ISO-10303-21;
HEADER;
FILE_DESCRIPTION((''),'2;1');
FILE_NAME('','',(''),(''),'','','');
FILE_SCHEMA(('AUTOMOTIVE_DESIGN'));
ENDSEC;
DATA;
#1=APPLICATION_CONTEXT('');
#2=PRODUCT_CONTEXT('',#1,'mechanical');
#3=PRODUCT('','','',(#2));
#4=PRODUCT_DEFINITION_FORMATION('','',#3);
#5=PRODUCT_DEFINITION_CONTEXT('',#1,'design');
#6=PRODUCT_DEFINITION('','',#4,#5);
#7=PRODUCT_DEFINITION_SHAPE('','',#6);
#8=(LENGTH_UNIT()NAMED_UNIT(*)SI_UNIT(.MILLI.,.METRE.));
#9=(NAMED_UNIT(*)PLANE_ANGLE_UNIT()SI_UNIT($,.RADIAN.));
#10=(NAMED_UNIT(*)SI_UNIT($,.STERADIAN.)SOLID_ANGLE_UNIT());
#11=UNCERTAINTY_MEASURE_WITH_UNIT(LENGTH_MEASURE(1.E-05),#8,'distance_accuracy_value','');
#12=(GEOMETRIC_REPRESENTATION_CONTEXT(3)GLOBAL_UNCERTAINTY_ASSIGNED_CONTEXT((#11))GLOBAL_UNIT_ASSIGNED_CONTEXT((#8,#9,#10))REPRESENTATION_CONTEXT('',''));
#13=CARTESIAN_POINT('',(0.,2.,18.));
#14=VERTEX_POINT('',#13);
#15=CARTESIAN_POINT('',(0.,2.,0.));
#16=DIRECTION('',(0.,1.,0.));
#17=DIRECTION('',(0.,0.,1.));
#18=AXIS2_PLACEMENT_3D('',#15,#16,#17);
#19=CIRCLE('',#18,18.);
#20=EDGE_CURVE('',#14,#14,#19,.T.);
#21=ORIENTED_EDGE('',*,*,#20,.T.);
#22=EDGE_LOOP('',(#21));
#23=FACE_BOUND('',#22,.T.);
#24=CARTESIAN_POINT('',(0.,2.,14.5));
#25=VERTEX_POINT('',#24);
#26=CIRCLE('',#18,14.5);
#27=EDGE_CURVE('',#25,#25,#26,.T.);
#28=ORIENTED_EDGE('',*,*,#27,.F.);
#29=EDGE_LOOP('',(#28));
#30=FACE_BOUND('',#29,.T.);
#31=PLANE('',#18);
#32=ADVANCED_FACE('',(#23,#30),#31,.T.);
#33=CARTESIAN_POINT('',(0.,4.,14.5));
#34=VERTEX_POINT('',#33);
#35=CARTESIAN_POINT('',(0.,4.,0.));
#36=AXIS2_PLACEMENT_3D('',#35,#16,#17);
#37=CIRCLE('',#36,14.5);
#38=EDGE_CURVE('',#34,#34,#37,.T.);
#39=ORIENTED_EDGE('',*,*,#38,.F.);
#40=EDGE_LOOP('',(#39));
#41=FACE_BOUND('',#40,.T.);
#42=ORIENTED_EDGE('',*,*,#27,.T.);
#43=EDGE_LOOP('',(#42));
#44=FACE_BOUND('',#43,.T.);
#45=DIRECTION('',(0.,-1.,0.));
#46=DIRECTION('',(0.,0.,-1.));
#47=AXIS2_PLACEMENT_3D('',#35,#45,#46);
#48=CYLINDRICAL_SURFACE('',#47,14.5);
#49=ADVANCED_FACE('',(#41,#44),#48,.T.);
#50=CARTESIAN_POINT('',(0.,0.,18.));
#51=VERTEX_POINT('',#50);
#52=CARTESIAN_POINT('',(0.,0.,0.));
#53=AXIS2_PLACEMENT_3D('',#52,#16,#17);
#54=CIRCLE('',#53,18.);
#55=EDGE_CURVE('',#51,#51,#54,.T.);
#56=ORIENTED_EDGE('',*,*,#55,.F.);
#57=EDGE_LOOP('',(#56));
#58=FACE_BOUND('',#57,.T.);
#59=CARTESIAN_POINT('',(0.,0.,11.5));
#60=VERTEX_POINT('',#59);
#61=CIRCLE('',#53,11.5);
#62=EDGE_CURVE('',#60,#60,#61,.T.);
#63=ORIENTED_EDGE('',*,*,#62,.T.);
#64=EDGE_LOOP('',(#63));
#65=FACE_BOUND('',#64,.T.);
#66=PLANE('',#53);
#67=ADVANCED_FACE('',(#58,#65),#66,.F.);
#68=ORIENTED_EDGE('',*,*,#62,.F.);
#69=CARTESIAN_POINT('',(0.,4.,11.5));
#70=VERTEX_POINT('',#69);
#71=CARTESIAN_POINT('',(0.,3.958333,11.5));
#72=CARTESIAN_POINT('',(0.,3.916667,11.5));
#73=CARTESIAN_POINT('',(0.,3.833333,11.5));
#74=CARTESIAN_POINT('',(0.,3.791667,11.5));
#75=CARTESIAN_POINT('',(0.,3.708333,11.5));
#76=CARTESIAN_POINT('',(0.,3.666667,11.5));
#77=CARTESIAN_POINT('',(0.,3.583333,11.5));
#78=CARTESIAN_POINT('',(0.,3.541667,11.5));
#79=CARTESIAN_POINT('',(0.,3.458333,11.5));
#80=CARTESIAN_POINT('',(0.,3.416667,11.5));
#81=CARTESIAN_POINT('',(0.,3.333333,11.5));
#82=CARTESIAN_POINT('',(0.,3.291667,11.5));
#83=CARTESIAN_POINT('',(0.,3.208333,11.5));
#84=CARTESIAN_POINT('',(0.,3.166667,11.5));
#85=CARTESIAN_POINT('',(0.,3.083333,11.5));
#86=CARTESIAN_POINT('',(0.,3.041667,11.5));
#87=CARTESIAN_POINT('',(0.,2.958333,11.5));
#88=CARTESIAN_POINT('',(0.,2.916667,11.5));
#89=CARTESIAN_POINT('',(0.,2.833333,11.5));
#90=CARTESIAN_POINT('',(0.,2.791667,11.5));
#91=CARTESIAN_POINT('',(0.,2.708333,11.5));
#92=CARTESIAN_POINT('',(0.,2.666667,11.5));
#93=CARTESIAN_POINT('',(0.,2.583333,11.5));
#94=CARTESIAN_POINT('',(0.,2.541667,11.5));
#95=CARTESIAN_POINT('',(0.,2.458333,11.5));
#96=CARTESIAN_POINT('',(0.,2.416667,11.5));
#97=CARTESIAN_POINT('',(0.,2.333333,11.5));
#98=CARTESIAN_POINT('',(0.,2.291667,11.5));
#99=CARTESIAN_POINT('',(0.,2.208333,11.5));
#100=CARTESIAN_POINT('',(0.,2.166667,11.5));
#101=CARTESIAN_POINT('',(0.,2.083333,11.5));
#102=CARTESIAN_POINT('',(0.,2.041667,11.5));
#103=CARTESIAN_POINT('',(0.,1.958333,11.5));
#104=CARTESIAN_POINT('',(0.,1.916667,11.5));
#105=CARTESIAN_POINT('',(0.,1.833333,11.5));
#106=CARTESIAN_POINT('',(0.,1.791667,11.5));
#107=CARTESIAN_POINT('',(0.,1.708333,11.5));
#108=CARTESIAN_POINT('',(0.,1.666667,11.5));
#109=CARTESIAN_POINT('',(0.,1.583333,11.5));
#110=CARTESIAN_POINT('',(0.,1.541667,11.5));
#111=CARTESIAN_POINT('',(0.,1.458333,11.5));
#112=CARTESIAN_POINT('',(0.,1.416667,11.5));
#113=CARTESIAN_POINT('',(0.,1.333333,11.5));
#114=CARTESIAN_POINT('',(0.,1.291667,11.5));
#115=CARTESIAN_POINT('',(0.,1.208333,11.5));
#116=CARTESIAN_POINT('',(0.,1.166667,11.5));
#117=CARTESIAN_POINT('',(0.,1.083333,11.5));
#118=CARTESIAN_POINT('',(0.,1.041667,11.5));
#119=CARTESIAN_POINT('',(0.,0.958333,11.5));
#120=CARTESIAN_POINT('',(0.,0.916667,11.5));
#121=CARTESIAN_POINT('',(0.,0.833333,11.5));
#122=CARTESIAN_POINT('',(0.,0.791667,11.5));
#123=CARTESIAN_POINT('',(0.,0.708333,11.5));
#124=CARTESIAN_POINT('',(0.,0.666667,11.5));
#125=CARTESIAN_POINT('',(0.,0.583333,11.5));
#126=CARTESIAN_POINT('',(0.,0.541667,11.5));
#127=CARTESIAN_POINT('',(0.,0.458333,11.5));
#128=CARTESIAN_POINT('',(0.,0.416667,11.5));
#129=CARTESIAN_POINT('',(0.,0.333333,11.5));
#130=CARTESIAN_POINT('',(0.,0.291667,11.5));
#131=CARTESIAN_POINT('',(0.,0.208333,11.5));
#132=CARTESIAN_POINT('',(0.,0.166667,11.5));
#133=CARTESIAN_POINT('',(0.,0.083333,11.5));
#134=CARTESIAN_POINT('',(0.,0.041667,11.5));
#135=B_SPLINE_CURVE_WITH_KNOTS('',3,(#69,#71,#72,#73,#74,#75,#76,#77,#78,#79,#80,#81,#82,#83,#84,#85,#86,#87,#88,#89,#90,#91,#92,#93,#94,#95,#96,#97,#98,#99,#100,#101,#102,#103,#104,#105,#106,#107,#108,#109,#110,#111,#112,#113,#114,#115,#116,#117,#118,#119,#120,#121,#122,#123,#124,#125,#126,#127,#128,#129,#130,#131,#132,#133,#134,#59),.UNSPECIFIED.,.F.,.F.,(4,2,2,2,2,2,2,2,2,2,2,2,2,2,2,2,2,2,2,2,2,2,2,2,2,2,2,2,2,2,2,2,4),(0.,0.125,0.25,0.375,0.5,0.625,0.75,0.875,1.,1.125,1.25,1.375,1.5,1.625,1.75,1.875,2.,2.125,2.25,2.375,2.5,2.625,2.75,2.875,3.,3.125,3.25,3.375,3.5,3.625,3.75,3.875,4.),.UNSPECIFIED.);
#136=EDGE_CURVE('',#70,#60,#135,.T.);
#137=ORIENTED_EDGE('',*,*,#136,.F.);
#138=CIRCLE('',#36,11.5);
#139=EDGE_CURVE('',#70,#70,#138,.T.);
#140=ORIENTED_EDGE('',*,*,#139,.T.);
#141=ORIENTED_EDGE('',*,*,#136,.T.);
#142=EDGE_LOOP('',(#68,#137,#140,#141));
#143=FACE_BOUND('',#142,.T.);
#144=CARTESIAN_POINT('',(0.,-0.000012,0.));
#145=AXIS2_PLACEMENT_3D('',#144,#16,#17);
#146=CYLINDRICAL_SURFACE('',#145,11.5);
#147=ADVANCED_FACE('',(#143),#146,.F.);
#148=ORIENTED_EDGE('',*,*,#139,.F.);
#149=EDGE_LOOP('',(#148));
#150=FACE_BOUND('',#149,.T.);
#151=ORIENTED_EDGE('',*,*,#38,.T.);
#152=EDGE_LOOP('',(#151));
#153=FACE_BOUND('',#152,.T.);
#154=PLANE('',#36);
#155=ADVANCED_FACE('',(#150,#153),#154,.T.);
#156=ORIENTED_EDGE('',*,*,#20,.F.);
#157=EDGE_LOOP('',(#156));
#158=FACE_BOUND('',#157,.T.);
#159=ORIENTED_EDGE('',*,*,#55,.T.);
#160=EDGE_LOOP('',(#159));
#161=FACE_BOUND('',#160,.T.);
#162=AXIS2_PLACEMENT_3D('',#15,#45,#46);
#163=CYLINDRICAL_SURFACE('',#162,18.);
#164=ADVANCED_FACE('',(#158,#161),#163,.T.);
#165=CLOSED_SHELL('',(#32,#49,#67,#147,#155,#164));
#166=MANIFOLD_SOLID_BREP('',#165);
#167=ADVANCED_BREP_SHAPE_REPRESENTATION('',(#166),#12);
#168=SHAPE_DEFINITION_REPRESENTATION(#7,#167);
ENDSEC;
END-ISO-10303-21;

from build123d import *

# Parameters (mm, degrees)
SKETCH1_R               = 18
BOSS_EXTRUDE1_DEPTH     = 2
SKETCH2_R               = 14.5
BOSS_EXTRUDE2_DEPTH     = 2
CUT_EXTRUDE3_DEPTH      = 26.768197453
CUT_EXTRUDE3_DEPTH_BACK = 26.768197453
SKETCH3_R               = 11.5


with BuildPart() as part:
    # Sketch1 → Boss-Extrude1 (new body)
    with BuildSketch(Plane(origin=(0, 0, 0), x_dir=(1, 0, 0), z_dir=(0, 1, 0))):
        with Locations(Location((0, 0, 0), (0, 0, 270))):
            Circle(SKETCH1_R)
    extrude(amount=BOSS_EXTRUDE1_DEPTH)

    # Sketch2 → Boss-Extrude2 (add)
    with BuildSketch(Plane(origin=(0, 2, 0), x_dir=(1, 0, 0), z_dir=(0, 1, 0))):
        with Locations(Location((0, 0, 0), (0, 0, 270))):
            Circle(SKETCH2_R)
    extrude(amount=BOSS_EXTRUDE2_DEPTH)

    # Sketch3 → Cut-Extrude3 (cut, two sides: drawn at the far end of the back side and taken through both)
    with BuildSketch(Plane(origin=(0, 0, 0), x_dir=(1, 0, 0), z_dir=(0, 1, 0)).offset(-CUT_EXTRUDE3_DEPTH_BACK)):
        with Locations(Location((0, 0, 0), (0, 0, 270))):
            Circle(SKETCH3_R)
    extrude(amount=CUT_EXTRUDE3_DEPTH + CUT_EXTRUDE3_DEPTH_BACK, mode=Mode.SUBTRACT)


solid = part.part
